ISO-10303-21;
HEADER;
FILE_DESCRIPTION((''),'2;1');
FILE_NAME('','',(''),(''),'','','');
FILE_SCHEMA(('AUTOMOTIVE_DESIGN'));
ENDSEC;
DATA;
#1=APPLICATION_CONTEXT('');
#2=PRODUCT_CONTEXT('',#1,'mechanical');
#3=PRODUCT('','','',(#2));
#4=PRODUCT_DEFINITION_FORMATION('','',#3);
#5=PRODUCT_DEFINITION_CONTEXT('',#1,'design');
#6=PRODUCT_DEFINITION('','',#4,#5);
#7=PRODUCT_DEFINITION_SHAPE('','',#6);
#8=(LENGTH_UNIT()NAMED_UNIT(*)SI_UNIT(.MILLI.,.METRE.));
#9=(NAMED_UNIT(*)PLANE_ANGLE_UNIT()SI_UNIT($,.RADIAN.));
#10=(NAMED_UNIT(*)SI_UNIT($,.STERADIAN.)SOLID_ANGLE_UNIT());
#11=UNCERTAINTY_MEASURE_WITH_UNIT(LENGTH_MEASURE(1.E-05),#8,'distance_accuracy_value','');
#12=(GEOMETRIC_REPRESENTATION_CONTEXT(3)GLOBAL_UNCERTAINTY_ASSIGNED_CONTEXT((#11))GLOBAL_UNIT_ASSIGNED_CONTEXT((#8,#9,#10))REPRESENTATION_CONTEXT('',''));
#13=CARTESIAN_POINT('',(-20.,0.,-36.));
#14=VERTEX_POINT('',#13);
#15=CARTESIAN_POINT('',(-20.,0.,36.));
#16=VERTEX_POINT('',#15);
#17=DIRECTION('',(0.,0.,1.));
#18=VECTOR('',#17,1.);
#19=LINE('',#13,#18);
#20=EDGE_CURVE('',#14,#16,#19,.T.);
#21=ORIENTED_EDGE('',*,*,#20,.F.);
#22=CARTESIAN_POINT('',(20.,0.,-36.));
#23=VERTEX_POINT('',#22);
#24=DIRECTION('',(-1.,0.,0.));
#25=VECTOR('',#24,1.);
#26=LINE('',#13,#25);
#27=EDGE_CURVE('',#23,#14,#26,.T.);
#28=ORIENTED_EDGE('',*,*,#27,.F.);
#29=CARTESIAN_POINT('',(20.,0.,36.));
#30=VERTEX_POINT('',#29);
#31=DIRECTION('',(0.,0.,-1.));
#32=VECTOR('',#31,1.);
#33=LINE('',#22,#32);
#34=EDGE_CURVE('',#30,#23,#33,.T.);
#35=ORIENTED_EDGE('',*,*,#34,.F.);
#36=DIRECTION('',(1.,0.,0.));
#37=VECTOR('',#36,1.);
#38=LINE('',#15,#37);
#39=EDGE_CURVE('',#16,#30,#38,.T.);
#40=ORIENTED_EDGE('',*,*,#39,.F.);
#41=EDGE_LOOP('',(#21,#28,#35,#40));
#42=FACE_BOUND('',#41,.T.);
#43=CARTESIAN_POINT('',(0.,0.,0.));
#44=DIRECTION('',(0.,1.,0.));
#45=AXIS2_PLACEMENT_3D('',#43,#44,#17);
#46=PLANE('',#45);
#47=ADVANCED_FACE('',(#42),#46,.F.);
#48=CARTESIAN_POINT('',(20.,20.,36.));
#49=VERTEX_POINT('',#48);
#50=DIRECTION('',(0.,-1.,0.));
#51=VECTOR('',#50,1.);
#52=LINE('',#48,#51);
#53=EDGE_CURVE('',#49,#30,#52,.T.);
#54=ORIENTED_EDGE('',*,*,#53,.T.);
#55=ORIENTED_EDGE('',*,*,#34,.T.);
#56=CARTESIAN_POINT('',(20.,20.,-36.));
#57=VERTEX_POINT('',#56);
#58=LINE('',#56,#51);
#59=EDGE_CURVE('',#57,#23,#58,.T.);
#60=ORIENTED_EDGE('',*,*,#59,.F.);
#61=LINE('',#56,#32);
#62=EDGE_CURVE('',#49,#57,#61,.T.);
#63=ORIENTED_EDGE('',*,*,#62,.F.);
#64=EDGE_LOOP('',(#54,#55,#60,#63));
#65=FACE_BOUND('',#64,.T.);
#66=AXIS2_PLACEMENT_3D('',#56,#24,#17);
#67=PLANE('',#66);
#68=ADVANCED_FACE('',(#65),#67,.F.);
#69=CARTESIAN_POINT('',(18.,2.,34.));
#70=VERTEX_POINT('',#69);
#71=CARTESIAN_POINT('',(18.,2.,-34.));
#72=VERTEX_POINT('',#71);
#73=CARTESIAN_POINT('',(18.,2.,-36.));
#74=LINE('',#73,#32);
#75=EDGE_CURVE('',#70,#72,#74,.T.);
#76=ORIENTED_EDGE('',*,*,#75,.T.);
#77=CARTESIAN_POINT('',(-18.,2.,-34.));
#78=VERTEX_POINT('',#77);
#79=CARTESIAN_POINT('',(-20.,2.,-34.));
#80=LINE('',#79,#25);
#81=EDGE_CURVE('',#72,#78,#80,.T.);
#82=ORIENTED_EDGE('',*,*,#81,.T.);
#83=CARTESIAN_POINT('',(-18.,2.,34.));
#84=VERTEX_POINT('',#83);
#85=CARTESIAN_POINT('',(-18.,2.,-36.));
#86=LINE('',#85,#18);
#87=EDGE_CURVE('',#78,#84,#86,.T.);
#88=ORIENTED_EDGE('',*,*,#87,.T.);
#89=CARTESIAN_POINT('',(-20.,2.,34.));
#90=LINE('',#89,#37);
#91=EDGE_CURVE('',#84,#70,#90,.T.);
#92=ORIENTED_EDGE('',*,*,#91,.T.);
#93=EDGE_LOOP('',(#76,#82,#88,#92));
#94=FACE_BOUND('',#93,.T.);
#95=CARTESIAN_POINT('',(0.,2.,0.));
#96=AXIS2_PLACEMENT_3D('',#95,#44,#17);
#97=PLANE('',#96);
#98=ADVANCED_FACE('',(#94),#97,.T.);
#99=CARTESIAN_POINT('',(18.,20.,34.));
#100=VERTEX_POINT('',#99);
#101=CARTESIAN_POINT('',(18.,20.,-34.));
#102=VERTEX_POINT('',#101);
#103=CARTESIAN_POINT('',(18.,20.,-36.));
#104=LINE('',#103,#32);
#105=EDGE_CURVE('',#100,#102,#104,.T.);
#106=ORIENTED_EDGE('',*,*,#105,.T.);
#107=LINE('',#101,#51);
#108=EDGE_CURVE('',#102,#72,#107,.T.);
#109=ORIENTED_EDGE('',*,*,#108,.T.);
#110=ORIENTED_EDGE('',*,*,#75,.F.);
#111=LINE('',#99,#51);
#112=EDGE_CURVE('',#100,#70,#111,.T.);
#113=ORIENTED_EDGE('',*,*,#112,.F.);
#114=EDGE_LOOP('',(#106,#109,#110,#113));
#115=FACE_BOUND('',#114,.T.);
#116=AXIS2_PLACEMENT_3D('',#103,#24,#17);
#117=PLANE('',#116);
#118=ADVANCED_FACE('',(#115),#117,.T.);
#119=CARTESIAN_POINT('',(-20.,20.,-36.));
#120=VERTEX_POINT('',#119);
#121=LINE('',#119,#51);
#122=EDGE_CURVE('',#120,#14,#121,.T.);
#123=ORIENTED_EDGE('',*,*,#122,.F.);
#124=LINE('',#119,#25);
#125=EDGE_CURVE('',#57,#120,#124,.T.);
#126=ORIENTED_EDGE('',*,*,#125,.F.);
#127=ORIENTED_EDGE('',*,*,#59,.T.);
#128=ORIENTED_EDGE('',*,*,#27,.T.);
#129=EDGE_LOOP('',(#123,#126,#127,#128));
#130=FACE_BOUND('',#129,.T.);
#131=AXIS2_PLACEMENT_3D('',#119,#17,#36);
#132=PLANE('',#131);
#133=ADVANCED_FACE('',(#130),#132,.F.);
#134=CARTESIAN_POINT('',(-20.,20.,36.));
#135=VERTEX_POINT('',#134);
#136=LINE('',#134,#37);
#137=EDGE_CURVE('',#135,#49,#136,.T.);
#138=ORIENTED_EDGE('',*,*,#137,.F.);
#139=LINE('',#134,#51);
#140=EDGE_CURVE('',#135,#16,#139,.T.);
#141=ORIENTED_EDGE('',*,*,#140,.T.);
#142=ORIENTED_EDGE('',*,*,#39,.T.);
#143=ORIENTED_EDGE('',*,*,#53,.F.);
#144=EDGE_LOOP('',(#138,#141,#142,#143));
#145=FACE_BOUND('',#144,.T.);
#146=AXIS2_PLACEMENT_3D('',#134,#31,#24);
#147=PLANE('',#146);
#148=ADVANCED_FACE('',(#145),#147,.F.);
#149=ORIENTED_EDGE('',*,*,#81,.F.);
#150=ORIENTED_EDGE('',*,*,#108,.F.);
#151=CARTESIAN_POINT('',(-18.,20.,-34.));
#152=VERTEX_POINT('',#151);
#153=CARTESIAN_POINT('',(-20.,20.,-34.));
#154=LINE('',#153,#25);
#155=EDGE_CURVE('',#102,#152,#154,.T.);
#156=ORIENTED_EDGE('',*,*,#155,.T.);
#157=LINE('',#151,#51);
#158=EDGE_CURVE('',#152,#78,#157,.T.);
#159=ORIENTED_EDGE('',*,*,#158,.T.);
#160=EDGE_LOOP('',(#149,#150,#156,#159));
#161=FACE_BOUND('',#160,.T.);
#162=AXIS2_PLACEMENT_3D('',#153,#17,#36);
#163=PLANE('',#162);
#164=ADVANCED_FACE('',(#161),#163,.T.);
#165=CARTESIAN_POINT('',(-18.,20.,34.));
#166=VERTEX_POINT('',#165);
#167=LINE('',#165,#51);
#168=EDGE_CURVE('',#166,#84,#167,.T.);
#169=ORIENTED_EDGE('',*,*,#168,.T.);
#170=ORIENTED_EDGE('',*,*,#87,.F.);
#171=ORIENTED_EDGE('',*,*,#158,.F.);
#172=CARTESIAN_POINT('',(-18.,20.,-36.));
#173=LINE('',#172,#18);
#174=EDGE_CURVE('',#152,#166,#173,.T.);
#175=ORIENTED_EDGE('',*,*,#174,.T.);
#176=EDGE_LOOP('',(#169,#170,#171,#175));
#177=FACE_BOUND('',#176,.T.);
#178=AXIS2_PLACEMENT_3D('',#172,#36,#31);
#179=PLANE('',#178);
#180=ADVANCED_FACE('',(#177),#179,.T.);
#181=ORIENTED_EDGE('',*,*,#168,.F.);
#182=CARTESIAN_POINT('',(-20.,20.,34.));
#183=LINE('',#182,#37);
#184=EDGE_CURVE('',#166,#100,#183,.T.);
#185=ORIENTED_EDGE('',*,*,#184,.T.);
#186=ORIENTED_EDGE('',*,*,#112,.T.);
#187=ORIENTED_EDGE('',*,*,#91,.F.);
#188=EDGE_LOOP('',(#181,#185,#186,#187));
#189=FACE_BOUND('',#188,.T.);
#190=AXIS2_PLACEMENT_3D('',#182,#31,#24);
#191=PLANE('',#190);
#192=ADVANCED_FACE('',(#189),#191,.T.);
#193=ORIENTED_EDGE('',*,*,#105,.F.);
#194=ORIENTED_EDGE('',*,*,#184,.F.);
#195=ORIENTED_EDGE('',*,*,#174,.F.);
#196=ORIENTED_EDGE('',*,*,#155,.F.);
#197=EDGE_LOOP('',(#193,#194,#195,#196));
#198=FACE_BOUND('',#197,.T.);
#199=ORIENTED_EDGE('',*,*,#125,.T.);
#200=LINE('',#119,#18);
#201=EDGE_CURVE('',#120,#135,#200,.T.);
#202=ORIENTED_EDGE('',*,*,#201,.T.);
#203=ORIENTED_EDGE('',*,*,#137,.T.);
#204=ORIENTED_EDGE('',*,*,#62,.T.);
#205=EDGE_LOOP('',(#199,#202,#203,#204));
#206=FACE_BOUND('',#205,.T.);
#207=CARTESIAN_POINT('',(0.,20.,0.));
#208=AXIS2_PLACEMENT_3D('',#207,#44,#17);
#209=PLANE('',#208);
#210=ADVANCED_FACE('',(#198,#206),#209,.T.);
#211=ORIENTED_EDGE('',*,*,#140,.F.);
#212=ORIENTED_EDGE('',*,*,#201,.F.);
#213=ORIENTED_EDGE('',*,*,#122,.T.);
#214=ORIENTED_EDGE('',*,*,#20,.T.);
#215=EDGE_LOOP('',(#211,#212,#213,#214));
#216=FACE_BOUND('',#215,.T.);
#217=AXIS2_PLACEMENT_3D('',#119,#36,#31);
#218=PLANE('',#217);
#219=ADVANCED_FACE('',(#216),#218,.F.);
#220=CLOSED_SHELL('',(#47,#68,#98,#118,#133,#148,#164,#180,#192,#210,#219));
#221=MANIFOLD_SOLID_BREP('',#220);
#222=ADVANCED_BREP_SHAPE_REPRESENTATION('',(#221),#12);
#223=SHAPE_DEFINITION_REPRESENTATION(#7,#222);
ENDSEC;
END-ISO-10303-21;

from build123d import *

# Parameters (mm, degrees)
SKETCH1_W           = 40
SKETCH1_H           = 72
BOSS_EXTRUDE1_DEPTH = 20
SHELL1_T            = -2


with BuildPart() as part:
    # Sketch1 → Boss-Extrude1 (new body)
    with BuildSketch(Plane(origin=(0, 0, 0), x_dir=(1, 0, 0), z_dir=(0, 1, 0))):
        Rectangle(SKETCH1_W, SKETCH1_H)
    extrude(amount=BOSS_EXTRUDE1_DEPTH)

    # Shell1
    shell1_openings = [part.faces().sort_by_distance(p)[0] for p in [
        (0, 20, 0),
    ]]
    offset(amount=SHELL1_T, openings=shell1_openings, kind=Kind.INTERSECTION)


solid = part.part
